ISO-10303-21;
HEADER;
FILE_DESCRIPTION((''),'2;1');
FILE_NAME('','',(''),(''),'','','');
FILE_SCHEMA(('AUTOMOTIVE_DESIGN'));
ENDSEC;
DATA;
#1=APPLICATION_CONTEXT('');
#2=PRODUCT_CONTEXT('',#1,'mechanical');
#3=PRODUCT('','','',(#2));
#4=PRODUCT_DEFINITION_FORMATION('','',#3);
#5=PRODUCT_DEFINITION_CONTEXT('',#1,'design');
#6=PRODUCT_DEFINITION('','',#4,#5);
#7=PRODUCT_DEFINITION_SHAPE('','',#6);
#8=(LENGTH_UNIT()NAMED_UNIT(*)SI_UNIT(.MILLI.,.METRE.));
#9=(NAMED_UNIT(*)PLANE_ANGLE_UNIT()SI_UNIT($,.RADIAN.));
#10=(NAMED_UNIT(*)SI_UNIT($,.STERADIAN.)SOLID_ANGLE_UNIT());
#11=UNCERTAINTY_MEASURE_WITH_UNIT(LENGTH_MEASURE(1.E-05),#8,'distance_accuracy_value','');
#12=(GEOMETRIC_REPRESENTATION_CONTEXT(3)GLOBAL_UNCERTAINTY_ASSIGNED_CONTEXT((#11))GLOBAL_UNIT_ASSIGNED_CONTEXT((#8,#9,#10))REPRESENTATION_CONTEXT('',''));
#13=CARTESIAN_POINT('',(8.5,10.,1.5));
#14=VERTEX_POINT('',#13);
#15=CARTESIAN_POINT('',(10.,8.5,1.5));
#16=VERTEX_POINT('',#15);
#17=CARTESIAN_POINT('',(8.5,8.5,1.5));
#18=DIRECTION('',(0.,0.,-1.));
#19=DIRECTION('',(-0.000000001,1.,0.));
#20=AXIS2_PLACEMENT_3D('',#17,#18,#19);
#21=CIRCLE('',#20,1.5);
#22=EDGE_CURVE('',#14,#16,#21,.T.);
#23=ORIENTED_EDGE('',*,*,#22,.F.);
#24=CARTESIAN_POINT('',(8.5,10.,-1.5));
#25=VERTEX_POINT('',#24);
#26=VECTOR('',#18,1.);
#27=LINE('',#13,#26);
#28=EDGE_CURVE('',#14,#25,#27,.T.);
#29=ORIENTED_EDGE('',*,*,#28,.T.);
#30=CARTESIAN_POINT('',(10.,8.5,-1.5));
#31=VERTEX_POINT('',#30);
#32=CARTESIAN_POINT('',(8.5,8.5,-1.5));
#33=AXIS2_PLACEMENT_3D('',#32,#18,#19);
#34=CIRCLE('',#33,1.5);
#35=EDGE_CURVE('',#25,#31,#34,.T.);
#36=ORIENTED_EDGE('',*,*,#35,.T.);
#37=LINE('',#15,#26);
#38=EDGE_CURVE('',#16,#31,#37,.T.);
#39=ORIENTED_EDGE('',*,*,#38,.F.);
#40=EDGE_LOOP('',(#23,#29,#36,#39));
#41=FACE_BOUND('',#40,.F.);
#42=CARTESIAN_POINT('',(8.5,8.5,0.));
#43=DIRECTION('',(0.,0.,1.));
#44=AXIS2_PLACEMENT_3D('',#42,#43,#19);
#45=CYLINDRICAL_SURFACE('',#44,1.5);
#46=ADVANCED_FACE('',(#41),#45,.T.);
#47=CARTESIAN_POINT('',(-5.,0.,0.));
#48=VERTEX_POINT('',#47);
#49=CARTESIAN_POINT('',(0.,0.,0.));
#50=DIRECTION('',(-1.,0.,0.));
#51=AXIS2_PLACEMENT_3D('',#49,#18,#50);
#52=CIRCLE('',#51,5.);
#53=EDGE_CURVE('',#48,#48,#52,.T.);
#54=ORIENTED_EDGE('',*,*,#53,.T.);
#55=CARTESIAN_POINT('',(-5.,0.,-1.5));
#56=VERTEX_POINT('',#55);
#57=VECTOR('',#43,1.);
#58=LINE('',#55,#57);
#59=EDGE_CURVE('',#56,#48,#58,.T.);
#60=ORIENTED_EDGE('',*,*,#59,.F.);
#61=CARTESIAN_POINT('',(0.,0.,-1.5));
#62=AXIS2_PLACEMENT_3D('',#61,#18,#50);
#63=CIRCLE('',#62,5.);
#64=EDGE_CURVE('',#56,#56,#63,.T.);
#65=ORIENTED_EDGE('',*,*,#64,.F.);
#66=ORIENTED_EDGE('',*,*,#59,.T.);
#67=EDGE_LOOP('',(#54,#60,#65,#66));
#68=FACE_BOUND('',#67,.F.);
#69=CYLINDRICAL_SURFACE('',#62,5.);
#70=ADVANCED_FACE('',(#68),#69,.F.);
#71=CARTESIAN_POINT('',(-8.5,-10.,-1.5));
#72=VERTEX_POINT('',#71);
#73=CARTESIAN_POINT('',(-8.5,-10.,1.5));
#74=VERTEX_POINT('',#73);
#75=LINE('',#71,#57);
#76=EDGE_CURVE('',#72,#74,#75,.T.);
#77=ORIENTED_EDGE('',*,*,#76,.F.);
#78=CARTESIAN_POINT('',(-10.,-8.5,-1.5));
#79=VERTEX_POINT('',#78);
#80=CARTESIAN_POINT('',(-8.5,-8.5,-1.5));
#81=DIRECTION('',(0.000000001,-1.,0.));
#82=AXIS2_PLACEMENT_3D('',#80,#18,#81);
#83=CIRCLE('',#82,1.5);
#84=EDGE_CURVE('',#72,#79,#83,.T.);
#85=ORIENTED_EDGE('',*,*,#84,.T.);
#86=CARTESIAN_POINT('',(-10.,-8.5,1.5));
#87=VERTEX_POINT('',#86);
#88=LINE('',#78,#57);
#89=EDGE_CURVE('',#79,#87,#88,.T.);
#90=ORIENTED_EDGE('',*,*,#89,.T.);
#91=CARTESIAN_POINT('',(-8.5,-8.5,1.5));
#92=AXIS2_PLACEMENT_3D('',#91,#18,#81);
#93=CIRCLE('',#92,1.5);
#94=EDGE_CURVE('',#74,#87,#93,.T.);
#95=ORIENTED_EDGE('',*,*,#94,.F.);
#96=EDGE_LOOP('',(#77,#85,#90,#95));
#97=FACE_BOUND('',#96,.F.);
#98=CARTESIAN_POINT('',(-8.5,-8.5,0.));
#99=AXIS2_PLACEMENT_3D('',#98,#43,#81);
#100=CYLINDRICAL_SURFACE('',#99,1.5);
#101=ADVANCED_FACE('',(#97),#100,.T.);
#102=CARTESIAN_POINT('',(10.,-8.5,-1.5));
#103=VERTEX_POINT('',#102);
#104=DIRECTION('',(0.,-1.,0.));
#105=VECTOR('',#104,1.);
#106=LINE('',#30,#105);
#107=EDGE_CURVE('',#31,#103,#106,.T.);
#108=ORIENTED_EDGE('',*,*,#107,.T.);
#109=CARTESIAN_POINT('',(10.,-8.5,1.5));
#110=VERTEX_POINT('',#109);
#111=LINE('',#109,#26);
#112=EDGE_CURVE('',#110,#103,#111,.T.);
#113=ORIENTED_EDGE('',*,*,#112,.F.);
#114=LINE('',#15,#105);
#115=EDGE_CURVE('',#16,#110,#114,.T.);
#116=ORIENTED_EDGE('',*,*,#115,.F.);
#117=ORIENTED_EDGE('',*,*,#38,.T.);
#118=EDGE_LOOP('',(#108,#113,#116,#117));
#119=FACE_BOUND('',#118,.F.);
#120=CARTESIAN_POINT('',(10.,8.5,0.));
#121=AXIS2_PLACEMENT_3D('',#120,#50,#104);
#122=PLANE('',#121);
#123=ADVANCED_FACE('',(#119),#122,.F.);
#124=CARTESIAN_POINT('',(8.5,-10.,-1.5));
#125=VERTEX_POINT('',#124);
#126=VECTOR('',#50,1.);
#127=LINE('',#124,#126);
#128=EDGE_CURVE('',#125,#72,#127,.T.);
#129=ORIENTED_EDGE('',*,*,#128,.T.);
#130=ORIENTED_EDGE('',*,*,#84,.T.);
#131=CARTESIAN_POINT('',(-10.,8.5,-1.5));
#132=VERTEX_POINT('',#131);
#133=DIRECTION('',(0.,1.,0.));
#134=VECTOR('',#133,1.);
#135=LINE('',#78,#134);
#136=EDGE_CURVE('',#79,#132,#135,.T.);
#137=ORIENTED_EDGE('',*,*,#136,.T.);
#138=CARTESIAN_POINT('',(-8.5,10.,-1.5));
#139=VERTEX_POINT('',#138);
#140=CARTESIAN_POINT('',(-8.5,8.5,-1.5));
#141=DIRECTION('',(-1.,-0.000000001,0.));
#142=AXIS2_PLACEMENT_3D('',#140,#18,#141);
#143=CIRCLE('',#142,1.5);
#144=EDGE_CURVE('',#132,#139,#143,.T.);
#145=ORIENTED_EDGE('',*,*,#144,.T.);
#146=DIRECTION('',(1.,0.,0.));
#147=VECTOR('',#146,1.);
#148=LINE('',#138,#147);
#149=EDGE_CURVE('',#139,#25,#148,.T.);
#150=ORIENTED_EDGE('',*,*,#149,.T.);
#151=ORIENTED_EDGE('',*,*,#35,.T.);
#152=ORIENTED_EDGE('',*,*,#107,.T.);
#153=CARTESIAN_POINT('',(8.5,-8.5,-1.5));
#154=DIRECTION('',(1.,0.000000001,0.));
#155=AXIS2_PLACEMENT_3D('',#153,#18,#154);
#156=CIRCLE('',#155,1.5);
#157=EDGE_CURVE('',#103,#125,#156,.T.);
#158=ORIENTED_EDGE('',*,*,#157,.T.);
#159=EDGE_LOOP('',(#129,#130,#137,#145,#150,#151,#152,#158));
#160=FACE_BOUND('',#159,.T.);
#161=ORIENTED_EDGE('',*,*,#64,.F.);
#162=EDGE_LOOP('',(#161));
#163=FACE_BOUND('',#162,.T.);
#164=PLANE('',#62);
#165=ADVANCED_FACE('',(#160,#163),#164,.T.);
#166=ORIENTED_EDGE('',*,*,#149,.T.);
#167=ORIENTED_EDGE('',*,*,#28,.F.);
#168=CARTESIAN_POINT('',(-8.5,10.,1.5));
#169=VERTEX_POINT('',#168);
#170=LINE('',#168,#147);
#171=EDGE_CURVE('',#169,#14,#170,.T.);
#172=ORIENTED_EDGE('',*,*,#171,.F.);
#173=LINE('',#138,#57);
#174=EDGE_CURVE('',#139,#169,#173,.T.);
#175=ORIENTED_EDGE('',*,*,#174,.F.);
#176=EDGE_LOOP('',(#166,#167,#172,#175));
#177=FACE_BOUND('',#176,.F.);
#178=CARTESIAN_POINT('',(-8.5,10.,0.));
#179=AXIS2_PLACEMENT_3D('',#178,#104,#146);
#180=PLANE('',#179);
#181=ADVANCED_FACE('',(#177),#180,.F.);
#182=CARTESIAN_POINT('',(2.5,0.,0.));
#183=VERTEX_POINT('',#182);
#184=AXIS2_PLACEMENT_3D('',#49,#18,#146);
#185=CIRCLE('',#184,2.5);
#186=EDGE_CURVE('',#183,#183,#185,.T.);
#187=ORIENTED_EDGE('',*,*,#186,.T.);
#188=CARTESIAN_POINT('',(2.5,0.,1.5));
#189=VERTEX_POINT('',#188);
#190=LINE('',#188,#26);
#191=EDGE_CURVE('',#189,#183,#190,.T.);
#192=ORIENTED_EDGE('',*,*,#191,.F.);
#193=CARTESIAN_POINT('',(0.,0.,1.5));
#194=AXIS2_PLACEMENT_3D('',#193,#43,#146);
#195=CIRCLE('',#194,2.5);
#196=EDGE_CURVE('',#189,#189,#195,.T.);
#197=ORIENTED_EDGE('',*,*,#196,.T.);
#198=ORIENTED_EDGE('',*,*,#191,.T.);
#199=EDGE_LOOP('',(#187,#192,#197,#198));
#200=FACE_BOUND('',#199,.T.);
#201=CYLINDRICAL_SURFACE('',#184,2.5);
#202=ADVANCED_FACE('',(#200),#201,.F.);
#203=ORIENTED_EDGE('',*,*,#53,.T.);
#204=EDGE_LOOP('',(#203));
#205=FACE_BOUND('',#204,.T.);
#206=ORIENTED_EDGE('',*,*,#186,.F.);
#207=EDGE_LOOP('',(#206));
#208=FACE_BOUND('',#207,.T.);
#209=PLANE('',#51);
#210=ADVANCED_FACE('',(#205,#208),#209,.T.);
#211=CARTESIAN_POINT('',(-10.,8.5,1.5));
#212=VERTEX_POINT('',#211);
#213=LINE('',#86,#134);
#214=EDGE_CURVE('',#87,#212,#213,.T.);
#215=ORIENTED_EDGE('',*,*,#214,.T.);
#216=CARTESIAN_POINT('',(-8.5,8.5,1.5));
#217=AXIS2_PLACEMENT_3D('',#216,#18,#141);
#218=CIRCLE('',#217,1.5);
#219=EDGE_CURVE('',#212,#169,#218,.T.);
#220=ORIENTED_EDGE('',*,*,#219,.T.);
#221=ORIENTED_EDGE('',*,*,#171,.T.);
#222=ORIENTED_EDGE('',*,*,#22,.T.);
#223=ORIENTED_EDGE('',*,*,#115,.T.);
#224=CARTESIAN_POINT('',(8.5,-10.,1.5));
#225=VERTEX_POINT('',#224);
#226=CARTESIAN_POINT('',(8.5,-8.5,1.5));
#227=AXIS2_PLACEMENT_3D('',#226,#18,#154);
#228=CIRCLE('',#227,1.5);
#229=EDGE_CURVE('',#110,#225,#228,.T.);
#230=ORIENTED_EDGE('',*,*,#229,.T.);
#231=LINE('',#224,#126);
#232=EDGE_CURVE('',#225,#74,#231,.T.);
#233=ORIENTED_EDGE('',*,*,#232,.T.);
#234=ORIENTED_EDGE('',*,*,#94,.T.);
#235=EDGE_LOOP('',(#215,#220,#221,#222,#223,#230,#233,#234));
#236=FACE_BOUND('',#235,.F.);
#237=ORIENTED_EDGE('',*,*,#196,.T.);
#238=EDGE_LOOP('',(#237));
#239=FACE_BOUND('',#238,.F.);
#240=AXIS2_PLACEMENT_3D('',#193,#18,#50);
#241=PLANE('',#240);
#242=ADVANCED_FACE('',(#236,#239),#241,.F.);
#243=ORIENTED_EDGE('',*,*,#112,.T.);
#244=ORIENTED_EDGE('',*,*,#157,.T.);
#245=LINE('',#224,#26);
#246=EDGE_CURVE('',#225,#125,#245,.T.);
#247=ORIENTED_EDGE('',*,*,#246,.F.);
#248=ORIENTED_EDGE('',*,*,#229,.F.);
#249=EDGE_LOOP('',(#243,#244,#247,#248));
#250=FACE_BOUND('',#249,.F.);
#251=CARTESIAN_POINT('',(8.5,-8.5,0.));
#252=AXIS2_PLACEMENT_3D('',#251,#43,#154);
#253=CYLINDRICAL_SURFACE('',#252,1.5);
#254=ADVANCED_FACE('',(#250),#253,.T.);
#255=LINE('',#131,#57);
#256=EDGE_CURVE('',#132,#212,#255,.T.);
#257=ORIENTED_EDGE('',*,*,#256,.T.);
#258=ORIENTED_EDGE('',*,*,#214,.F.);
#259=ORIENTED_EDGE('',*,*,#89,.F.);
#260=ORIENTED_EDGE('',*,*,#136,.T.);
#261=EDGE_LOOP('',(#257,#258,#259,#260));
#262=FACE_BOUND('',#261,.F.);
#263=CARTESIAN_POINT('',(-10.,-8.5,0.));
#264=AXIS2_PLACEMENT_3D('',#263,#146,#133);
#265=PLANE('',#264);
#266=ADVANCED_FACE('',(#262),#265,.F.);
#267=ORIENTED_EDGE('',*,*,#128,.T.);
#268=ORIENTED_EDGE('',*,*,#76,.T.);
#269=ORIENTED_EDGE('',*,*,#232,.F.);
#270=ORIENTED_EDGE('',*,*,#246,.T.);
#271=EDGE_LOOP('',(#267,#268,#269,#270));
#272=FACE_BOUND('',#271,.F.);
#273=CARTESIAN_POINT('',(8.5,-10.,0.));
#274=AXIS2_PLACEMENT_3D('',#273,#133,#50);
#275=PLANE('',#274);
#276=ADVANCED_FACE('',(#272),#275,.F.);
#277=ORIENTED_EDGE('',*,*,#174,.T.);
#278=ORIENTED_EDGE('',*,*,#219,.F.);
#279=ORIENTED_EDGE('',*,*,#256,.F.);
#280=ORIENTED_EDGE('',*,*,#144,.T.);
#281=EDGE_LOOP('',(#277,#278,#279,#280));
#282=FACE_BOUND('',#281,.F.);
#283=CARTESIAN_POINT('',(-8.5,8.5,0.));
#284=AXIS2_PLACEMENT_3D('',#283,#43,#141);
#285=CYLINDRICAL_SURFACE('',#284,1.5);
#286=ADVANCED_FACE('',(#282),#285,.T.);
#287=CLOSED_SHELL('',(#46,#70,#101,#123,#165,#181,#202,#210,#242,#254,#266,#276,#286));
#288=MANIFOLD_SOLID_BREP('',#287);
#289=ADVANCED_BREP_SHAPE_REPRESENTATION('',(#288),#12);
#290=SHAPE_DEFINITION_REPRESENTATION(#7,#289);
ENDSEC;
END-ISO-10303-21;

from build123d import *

# Parameters (mm, degrees)
SKETCH1_R           = 2.5
BOSS_EXTRUDE1_DEPTH = 1.5
SKETCH2_R           = 5
CUT_EXTRUDE1_DEPTH  = 1.5


with BuildPart() as part:
    # Sketch1 → Boss-Extrude1 (new body, symmetric)
    with BuildSketch(Plane.XY):
        with BuildLine():
            Line((-8.5, 10), (8.5, 10))
            ThreePointArc((8.5, 10), (9.560660172, 9.560660172), (10, 8.5))
            Line((10, 8.5), (10, -8.5))
            ThreePointArc((10, -8.5), (9.560660172, -9.560660172), (8.5, -10))
            Line((8.5, -10), (-8.5, -10))
            ThreePointArc((-8.5, -10), (-9.560660172, -9.560660172), (-10, -8.5))
            Line((-10, -8.5), (-10, 8.5))
            ThreePointArc((-10, 8.5), (-9.560660172, 9.560660172), (-8.5, 10))
        make_face()
        Circle(SKETCH1_R, mode=Mode.SUBTRACT)
    extrude(amount=BOSS_EXTRUDE1_DEPTH, both=True)

    # Sketch2 → Cut-Extrude1 (cut)
    with BuildSketch(Plane(origin=(0, 0, -1.5), x_dir=(-1, 0, 0), z_dir=(0, 0, -1))):
        Circle(SKETCH2_R)
    extrude(amount=-CUT_EXTRUDE1_DEPTH, mode=Mode.SUBTRACT)


solid = part.part
